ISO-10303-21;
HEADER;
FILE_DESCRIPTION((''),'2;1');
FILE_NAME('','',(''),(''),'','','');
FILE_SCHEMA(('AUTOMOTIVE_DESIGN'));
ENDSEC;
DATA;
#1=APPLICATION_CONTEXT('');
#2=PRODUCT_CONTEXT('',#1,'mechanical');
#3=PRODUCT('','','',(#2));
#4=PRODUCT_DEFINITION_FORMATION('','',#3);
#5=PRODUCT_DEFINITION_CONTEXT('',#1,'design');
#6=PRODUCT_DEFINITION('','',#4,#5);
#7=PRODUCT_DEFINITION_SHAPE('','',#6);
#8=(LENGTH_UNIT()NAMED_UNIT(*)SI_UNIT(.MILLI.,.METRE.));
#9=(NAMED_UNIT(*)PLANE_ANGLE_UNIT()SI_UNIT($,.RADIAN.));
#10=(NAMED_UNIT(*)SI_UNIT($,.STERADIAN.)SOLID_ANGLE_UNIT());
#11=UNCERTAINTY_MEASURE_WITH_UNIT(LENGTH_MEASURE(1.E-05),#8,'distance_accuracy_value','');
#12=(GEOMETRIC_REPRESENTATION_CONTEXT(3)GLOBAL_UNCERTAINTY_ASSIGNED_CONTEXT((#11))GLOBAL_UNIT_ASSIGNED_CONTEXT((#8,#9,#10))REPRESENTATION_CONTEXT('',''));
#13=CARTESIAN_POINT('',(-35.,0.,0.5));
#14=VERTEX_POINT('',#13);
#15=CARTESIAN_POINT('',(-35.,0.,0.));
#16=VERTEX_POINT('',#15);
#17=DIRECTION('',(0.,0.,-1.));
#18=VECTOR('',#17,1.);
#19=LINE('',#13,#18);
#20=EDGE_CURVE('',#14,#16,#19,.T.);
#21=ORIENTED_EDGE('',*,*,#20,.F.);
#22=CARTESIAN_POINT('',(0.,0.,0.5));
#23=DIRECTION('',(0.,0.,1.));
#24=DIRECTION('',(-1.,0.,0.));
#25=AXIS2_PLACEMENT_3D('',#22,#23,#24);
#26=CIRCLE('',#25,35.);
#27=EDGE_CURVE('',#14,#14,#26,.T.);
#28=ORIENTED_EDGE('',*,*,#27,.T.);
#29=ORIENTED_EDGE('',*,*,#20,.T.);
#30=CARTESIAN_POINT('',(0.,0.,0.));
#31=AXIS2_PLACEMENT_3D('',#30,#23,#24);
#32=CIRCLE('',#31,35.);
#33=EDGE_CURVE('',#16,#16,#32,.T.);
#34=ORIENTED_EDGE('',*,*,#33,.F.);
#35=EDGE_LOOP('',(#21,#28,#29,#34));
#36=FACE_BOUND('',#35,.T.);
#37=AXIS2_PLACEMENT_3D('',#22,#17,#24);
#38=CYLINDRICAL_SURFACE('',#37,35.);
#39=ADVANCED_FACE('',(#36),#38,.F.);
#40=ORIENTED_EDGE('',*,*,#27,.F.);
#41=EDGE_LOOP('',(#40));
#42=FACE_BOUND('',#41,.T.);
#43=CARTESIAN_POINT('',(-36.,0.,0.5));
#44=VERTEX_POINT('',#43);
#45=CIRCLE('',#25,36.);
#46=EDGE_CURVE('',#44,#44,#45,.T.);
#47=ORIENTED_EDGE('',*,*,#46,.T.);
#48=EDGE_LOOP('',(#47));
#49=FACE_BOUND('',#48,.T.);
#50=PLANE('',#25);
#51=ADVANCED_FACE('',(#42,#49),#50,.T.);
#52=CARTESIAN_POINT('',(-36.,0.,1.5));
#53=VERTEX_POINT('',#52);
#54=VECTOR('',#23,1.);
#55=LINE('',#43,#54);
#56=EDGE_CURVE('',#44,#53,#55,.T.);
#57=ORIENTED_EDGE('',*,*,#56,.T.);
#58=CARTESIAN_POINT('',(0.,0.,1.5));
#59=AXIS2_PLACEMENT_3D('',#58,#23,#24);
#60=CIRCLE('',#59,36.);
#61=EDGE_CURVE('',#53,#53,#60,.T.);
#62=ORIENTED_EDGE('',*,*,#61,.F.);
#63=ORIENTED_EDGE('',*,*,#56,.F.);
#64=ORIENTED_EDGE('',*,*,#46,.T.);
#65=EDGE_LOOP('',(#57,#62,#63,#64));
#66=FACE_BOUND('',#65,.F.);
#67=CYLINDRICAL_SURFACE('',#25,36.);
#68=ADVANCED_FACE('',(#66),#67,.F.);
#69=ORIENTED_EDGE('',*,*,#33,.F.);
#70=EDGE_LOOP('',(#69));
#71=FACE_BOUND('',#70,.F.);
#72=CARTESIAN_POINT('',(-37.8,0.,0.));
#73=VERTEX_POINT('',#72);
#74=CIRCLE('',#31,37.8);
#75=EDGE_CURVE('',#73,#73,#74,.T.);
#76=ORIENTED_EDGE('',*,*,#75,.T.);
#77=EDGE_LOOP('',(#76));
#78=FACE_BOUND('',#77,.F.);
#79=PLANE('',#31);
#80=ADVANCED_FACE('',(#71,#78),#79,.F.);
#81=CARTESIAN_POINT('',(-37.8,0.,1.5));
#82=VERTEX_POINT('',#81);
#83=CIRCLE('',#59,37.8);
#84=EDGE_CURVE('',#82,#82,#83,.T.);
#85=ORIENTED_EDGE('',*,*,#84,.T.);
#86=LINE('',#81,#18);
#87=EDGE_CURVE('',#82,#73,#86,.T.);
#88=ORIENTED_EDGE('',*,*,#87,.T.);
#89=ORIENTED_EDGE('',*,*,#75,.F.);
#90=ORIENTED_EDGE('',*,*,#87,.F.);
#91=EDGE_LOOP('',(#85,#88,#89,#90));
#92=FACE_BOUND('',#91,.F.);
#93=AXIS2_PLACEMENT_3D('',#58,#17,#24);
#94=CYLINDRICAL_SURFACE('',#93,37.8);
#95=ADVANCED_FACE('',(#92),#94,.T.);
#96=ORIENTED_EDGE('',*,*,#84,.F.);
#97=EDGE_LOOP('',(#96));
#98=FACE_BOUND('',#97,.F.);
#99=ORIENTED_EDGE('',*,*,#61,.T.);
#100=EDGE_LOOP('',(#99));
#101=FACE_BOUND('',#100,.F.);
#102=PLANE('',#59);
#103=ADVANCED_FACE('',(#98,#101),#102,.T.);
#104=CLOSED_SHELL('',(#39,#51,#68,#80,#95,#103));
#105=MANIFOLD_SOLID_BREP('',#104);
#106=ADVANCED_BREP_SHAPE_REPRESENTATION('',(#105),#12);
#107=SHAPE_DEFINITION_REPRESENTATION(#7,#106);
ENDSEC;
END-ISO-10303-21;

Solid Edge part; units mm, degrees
sketch "Sketch1" plane through (0, 0, 0) normal (0, -1, 0) x (1, 0, 0)
  line L0 (-36, 0.5) -> (-36, 1.5)
  line L1 (-36, 1.5) -> (-37.8, 1.5)
  line L2 (-37.8, 1.5) -> (-37.8, 0)
  line L3 (-37.8, 0) -> (-35, 0)
  line L4 (-35, 0.5) -> (-35, 0)
  line L5 (-36, 0.5) -> (-35, 0.5)
  dimension "D1" = 1.8
  dimension "D2" = 1.5
  dimension "D3" = 1
  dimension "D4" = 0.5
revolve "RevolvedProtrusion1" add sketch "Sketch1" angle 360 about axis through (0, 0, 0) along (0, 0, 1)
